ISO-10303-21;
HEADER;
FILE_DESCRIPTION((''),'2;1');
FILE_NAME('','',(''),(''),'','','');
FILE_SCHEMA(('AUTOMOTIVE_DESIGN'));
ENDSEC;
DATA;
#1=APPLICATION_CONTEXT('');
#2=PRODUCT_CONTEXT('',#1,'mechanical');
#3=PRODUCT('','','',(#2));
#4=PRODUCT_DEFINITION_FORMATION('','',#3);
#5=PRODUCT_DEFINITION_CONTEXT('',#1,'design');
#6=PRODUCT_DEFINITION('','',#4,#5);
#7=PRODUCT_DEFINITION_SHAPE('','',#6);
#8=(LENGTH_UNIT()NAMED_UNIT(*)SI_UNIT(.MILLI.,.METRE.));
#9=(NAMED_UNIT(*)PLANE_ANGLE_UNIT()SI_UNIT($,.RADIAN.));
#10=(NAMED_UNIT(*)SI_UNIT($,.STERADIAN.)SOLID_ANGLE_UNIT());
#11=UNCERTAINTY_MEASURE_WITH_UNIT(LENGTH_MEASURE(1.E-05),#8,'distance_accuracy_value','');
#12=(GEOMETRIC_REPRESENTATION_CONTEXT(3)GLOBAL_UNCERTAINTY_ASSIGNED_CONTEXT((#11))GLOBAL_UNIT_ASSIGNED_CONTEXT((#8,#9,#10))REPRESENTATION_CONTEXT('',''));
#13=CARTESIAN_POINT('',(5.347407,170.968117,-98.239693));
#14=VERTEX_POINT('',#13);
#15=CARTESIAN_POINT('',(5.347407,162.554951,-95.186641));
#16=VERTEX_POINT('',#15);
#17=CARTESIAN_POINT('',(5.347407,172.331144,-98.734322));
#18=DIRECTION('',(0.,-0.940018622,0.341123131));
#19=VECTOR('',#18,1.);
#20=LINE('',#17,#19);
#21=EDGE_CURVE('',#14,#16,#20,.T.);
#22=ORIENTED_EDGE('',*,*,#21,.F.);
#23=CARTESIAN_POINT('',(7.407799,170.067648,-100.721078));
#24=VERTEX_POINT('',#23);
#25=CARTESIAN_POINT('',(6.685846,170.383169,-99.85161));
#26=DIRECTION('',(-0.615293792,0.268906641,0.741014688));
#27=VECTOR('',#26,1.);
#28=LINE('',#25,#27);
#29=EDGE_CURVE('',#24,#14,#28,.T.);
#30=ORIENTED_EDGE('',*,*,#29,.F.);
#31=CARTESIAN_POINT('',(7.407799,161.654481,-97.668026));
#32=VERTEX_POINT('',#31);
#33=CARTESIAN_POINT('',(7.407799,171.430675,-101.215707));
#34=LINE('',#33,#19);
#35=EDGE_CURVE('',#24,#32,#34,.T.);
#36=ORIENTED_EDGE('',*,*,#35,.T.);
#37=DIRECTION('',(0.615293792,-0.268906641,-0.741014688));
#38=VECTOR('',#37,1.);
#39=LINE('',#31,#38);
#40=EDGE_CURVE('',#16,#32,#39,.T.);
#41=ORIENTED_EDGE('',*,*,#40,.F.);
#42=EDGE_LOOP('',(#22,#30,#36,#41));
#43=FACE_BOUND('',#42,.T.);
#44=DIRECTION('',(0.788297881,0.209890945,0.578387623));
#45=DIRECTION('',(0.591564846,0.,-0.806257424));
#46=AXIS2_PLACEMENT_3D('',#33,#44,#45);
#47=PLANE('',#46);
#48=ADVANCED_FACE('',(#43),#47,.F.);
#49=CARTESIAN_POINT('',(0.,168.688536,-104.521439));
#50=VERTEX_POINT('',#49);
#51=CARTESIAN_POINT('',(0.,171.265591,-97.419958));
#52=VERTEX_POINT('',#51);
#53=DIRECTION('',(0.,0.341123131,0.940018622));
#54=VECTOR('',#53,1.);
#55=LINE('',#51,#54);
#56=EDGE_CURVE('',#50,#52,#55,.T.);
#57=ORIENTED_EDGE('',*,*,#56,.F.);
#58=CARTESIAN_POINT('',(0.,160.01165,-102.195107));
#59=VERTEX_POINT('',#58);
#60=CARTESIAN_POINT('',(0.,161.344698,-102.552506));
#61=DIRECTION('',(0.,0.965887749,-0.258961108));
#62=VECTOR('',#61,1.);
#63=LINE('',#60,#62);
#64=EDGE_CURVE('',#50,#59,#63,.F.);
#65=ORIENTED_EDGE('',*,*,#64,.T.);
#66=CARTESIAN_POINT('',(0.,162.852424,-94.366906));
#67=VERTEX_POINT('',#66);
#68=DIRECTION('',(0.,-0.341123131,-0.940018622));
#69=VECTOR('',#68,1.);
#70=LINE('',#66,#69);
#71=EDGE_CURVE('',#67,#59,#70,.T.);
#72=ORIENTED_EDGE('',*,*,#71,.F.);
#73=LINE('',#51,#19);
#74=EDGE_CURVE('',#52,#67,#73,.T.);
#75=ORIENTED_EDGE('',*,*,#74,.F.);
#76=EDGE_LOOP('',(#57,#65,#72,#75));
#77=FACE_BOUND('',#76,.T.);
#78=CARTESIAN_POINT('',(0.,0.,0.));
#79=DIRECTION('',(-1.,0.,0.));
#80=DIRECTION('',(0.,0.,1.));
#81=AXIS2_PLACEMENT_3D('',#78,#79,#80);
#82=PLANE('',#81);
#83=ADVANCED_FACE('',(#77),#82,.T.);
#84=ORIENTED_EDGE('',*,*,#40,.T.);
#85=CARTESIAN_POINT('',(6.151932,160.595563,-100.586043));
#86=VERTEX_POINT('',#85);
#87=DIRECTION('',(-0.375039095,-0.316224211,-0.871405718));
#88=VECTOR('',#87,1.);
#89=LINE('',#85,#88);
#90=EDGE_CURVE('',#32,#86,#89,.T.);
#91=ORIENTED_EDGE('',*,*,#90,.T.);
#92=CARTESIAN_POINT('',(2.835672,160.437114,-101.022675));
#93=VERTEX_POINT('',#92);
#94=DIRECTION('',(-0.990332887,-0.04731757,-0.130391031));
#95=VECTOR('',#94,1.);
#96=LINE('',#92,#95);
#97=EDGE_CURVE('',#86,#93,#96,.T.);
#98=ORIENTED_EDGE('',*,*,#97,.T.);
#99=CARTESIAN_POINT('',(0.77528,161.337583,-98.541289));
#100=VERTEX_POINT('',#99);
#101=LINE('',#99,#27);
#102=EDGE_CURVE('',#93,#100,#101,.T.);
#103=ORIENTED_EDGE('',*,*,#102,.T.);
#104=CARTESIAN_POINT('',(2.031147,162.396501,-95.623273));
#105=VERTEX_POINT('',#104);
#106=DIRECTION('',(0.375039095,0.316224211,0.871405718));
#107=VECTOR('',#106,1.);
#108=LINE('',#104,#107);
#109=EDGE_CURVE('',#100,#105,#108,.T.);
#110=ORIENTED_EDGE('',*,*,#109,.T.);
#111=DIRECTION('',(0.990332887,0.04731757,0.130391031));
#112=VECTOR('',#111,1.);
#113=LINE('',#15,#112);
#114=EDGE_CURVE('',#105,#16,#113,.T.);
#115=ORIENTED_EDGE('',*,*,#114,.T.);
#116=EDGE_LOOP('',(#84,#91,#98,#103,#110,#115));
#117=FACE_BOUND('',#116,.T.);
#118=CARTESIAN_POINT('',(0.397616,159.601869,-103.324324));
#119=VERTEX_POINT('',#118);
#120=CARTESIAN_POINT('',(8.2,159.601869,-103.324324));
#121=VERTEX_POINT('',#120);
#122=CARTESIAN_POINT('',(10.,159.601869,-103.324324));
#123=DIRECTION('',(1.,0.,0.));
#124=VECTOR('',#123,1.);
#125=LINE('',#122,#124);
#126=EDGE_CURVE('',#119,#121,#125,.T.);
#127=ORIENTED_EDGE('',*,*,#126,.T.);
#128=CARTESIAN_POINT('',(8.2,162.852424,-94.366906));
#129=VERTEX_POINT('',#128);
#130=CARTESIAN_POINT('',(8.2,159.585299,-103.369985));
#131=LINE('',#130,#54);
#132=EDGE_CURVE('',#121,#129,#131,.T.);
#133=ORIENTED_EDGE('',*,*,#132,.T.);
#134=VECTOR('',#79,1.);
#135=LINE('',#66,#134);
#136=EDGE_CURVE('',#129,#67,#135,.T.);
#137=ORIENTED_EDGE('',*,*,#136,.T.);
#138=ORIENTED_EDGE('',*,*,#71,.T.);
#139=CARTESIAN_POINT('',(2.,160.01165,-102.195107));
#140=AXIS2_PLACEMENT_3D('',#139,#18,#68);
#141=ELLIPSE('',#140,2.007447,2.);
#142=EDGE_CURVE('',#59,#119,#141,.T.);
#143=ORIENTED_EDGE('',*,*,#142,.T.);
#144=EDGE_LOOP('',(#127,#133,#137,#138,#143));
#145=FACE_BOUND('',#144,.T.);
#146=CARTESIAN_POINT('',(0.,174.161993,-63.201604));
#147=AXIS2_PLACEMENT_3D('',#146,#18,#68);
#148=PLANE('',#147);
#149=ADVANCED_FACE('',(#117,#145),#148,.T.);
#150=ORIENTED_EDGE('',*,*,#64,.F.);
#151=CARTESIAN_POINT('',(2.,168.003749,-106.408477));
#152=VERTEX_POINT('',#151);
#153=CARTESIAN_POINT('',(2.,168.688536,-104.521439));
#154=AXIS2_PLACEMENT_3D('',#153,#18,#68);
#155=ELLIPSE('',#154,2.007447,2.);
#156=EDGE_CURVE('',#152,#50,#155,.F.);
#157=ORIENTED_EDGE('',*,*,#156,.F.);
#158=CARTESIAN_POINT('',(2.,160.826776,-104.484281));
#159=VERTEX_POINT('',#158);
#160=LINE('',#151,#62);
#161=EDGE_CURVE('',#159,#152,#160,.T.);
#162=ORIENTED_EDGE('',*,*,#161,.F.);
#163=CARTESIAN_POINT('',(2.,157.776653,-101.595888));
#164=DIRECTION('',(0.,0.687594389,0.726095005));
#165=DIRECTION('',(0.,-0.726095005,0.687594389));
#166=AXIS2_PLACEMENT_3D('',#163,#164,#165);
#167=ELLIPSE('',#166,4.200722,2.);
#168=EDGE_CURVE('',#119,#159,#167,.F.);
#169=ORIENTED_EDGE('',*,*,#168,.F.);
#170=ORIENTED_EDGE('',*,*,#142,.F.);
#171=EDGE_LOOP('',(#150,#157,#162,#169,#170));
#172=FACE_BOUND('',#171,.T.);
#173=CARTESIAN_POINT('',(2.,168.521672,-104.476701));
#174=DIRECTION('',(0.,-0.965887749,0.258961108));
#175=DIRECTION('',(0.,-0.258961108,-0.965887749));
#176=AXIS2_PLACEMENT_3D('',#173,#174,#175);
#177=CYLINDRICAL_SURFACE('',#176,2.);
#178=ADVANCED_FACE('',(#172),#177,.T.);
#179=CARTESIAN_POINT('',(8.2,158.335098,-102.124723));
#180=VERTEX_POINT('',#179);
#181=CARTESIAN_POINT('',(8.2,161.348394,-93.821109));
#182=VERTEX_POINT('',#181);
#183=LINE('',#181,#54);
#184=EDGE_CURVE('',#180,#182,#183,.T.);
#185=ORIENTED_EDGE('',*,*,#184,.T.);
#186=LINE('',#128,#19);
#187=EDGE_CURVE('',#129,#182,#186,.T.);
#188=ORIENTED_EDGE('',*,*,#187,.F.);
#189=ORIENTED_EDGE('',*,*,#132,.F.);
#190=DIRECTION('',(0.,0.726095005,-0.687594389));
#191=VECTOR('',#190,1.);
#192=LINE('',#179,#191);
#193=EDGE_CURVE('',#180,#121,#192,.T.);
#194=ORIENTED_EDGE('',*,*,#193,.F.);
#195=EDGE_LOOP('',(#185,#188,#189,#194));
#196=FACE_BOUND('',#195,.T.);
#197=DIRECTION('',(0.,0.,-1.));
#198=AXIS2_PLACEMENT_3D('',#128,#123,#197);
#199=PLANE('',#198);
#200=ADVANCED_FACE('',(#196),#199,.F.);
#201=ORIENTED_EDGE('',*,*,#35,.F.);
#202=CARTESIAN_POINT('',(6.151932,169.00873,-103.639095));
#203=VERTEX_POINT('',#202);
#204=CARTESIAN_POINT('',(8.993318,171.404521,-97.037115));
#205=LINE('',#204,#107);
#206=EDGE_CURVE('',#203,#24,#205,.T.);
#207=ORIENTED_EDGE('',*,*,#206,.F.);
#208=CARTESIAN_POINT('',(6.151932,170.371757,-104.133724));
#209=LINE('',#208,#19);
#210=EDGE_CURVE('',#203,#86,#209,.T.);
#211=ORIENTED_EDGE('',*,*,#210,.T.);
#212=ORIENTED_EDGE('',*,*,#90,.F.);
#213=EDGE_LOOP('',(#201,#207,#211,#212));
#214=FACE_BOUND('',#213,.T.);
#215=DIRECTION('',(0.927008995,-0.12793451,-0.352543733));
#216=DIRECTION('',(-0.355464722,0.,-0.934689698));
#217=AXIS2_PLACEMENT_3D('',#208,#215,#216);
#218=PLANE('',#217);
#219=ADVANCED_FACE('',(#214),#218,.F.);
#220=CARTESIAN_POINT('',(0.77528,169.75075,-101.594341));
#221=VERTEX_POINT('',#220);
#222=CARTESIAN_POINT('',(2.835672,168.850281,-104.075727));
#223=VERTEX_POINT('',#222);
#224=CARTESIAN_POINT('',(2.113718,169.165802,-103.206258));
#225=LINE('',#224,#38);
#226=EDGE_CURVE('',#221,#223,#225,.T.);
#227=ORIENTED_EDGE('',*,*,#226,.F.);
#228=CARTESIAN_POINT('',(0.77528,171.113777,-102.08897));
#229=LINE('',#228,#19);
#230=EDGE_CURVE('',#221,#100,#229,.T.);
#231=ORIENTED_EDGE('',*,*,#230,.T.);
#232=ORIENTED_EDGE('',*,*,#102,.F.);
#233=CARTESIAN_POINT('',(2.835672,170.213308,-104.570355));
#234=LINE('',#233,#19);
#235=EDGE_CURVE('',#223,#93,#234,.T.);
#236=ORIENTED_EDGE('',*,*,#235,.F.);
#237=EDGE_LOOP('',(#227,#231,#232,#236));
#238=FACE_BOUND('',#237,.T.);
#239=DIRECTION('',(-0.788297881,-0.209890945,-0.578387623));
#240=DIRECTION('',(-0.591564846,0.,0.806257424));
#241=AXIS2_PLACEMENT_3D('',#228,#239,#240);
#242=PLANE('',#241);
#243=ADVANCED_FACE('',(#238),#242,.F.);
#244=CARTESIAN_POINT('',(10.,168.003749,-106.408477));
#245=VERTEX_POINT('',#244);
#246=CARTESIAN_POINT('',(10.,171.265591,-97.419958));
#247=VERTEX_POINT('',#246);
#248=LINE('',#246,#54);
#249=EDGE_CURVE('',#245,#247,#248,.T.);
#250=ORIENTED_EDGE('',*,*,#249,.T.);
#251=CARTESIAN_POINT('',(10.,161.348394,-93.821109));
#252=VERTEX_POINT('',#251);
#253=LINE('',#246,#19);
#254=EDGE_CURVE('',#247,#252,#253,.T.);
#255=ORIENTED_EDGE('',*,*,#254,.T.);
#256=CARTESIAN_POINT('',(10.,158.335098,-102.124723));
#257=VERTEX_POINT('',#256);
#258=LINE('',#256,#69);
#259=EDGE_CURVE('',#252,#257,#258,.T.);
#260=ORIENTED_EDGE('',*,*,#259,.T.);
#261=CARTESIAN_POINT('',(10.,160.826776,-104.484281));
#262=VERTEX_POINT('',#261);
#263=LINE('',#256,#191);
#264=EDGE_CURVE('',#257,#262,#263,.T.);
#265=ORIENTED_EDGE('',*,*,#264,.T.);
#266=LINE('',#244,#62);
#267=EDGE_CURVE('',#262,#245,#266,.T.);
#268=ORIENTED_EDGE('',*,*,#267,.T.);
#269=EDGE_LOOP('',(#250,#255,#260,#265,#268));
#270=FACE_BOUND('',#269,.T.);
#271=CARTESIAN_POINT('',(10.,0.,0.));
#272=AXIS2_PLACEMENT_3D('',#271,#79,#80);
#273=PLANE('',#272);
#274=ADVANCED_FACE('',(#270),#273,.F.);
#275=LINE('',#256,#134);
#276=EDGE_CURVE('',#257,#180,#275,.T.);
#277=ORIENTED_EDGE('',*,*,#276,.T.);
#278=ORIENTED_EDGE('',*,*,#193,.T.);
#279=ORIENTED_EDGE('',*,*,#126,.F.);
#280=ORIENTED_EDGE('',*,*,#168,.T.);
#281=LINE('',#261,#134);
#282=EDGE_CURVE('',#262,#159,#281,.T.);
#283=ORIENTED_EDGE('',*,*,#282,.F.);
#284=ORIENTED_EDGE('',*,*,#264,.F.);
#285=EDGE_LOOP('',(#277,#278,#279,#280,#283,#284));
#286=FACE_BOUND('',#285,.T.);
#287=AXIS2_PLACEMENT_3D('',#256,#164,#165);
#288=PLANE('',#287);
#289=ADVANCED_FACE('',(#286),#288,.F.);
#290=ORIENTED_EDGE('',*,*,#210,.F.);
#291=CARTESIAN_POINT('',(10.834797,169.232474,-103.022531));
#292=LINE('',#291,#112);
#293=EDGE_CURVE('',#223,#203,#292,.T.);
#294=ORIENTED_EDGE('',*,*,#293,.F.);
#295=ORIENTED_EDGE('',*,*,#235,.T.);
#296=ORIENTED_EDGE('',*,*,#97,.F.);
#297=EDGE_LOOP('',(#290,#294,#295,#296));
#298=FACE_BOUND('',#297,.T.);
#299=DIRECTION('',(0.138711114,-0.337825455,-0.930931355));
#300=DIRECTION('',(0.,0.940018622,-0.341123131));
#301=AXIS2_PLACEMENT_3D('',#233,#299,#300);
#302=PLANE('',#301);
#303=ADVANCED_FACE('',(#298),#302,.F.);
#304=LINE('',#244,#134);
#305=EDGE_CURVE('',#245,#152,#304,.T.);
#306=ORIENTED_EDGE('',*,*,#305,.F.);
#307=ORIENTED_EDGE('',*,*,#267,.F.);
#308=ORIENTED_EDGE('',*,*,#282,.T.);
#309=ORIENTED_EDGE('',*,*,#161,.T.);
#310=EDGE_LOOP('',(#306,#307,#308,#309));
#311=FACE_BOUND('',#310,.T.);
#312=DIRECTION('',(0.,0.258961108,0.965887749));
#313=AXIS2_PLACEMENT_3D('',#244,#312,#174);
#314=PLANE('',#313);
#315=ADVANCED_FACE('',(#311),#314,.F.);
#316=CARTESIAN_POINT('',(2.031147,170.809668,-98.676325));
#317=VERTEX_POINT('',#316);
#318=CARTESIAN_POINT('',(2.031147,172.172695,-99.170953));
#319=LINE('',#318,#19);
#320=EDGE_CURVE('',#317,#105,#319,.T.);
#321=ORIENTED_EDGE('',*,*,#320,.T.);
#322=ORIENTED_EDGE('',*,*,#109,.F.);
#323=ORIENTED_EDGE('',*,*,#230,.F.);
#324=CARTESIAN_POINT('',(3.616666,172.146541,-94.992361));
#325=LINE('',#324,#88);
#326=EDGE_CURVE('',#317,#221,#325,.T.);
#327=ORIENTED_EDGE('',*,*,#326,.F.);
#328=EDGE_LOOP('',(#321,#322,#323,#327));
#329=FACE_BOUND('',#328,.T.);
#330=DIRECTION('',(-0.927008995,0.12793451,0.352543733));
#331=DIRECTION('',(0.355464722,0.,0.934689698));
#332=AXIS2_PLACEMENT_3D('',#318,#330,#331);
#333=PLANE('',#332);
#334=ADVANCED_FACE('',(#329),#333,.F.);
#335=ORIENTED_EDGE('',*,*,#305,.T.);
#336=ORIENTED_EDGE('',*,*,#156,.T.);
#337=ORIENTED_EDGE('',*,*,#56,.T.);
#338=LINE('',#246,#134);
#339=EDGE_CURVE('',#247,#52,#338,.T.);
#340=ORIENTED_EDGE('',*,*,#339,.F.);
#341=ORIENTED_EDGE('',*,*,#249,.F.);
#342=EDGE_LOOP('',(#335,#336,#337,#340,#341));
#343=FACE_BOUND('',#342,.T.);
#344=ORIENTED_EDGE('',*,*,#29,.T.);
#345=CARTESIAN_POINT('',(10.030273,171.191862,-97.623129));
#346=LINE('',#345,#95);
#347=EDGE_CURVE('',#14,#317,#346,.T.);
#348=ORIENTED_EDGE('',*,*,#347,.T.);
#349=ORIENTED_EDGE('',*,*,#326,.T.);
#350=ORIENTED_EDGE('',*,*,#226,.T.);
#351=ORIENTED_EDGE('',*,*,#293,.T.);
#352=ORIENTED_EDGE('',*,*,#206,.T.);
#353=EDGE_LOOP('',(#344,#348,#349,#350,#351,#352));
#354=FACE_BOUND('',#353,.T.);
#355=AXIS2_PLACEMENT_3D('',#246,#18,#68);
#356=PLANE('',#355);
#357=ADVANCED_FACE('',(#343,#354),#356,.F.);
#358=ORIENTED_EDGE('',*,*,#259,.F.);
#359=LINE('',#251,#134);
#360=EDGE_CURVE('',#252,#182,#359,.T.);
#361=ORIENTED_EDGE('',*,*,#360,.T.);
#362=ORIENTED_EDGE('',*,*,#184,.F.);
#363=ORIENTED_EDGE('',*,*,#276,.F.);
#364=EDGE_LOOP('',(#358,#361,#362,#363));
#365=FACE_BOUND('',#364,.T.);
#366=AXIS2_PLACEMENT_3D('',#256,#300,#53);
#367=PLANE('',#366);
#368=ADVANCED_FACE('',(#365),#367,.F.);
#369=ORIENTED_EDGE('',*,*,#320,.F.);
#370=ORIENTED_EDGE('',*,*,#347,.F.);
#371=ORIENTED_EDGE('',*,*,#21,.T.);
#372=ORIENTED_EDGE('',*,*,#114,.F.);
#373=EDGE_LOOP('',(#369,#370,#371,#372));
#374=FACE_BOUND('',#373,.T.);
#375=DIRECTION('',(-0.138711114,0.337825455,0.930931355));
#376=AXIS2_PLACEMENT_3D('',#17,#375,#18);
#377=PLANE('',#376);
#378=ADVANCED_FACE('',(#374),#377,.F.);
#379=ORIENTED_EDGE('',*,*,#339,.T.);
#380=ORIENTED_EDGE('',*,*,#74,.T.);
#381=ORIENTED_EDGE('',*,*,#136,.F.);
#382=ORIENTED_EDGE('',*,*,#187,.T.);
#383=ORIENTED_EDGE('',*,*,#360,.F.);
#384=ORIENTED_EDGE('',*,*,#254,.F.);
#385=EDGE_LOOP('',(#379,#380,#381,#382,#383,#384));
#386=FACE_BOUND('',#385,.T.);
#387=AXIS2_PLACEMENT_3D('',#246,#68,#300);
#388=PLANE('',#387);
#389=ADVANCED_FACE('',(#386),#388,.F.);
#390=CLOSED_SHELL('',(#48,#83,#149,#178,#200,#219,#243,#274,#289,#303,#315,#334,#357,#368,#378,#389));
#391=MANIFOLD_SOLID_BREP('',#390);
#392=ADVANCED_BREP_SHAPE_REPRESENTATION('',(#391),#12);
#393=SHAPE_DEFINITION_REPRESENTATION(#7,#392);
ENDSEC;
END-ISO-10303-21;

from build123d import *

# Parameters (mm, degrees)
BOSS_EXTRUDE1_DEPTH = 10
CUT_EXTRUDE1_DEPTH  = 12
CUT_EXTRUDE2_DEPTH  = 1.6
FILLET1_R           = 2


with BuildPart() as part:
    # Sketch1 → Boss-Extrude1 (new body)
    with BuildSketch(Plane(origin=(0, 0, 0), x_dir=(0, 0, -1), z_dir=(1, 0, 0))):
        Polygon((102.124722519, 158.335097964), (93.821109228, 161.348394189), (97.419958261, 171.26559065), (106.408476892, 168.00374929), (104.484281292, 160.826776001), align=None)
    extrude(amount=BOSS_EXTRUDE1_DEPTH)

    # Sketch2 → Cut-Extrude1 (cut)
    with BuildSketch(Plane(origin=(0, 96.421451451, -272.737546345), x_dir=(1, 0, 0), z_dir=(0, -0.940018622, 0.341123131))):
        Polygon((2.031147255, 188.996331096), (0.775279506, 185.892119516), (2.835671718, 183.252400352), (6.151931679, 183.716892768), (7.407799428, 186.821104348), (5.347407216, 189.460823512), align=None)
    extrude(amount=-CUT_EXTRUDE1_DEPTH, mode=Mode.SUBTRACT)

    # Sketch3 → Cut-Extrude2 (cut)
    with BuildSketch(Plane(origin=(0, 172.657963315, -62.655806689), x_dir=(1, 0, 0), z_dir=(0, -0.940018622, 0.341123131))):
        Polygon((0, -33.153920374), (8.2, -33.153920374), (8.2, -42.73147424), (8.2, -44.631348282), (0, -44.631348282), (0, -42.73147424), align=None)
    extrude(amount=-CUT_EXTRUDE2_DEPTH, mode=Mode.SUBTRACT)

    # Fillet1
    fillet1_edges = [part.edges().sort_by_distance(p)[0] for p in [
        (0, 164.415262646, -105.446379092),
    ]]
    fillet(fillet1_edges, radius=FILLET1_R)


solid = part.part
